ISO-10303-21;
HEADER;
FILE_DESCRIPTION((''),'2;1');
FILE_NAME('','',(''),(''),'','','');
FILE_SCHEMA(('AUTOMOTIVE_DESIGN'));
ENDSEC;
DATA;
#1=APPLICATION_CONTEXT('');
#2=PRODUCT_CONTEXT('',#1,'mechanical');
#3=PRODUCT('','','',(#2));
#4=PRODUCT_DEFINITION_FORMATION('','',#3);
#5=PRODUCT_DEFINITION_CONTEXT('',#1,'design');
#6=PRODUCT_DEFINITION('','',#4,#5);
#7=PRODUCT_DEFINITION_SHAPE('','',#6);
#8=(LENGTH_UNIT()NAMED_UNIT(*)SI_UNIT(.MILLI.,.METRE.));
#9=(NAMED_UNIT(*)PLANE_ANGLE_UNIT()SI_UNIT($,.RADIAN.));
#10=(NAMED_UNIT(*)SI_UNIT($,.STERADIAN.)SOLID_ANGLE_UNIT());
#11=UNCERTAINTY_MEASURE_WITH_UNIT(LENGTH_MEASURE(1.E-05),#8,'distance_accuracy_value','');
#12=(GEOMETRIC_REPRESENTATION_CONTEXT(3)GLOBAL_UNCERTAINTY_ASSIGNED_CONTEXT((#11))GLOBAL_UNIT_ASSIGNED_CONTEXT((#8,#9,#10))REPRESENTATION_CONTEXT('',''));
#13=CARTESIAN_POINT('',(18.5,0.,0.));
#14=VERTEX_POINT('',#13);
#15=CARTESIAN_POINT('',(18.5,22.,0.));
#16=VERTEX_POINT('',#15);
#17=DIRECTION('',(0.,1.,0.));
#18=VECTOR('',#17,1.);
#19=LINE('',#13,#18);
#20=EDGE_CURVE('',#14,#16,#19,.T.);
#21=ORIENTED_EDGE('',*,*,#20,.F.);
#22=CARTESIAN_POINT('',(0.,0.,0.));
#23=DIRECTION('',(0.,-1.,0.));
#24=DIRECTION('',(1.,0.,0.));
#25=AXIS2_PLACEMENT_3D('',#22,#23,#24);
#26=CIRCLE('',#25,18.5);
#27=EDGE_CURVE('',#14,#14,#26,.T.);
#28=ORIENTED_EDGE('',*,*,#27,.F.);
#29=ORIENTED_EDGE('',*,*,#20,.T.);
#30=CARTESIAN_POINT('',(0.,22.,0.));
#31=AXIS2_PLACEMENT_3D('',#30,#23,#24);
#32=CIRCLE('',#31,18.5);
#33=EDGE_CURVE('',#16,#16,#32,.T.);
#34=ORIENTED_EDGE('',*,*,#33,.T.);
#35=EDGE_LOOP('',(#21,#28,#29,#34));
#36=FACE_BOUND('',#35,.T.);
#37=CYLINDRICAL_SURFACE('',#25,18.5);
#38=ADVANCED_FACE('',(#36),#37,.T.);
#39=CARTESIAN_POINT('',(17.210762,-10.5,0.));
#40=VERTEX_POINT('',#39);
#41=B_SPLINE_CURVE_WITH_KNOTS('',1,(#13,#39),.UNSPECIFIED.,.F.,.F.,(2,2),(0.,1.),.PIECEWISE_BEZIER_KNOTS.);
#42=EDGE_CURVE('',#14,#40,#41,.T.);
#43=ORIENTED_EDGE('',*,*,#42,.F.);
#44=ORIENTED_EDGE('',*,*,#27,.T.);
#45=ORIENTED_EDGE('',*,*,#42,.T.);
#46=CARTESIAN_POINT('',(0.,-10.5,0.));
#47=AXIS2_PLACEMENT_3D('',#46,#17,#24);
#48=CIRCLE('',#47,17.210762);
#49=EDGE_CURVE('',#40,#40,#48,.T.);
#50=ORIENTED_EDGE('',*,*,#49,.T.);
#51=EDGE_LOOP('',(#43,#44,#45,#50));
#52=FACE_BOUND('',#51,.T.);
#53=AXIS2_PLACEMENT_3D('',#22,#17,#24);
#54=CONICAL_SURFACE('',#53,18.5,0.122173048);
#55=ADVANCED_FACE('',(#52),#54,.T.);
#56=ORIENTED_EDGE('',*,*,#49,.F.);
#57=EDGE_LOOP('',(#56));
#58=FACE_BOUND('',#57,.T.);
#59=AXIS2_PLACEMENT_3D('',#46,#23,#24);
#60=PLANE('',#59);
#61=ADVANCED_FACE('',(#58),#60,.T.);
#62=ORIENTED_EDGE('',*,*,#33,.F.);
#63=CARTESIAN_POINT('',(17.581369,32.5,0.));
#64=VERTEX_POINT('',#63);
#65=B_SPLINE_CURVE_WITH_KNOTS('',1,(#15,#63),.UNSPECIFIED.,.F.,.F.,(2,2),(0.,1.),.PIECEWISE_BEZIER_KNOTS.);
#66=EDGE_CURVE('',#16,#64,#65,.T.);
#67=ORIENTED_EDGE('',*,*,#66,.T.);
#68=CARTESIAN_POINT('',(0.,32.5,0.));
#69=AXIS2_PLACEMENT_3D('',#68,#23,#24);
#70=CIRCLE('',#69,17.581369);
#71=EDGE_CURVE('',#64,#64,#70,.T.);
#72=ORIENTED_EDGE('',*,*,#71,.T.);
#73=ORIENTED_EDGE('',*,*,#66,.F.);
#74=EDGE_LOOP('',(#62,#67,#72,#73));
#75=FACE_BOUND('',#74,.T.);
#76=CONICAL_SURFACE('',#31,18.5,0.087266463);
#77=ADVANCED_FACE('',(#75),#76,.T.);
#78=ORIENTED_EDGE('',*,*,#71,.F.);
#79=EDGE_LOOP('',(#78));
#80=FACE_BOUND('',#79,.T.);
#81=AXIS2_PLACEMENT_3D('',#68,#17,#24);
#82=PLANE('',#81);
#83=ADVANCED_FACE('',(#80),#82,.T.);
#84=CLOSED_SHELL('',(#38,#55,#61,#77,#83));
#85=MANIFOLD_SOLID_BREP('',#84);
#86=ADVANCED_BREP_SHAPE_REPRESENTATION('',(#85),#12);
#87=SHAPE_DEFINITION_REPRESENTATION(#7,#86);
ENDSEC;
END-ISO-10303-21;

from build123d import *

# Parameters (mm, degrees)
F0_R       = 18.5
F1_DEPTH   = 22
F3_R       = 18.5
F3_R_2     = 15
F4_DEPTH   = 10.5
F4_TAPER   = 7
F1_FACE1_R = 18.5
F5_DEPTH   = 10.5
F5_TAPER   = 5


with BuildPart() as f1:
    # F0 (on Front) → F1 (new body)
    with BuildSketch(Plane.XZ):
        Circle(F0_R)
    extrude(amount=-F1_DEPTH)

    # F3 (on face) → F4 (join)
    with BuildSketch(Plane.XZ):
        Circle(F3_R)
        Circle(F3_R_2, mode=Mode.SUBTRACT)
        Circle(F3_R_2)
    extrude(amount=F4_DEPTH, taper=F4_TAPER)

    # F1_face1 (on face) → F5 (join)
    with BuildSketch(Plane(origin=(0, 22, 0), x_dir=(1, 0, 0), z_dir=(0, 1, 0))):
        Circle(F1_FACE1_R)
    extrude(amount=F5_DEPTH, taper=F5_TAPER)


solid = f1.part
